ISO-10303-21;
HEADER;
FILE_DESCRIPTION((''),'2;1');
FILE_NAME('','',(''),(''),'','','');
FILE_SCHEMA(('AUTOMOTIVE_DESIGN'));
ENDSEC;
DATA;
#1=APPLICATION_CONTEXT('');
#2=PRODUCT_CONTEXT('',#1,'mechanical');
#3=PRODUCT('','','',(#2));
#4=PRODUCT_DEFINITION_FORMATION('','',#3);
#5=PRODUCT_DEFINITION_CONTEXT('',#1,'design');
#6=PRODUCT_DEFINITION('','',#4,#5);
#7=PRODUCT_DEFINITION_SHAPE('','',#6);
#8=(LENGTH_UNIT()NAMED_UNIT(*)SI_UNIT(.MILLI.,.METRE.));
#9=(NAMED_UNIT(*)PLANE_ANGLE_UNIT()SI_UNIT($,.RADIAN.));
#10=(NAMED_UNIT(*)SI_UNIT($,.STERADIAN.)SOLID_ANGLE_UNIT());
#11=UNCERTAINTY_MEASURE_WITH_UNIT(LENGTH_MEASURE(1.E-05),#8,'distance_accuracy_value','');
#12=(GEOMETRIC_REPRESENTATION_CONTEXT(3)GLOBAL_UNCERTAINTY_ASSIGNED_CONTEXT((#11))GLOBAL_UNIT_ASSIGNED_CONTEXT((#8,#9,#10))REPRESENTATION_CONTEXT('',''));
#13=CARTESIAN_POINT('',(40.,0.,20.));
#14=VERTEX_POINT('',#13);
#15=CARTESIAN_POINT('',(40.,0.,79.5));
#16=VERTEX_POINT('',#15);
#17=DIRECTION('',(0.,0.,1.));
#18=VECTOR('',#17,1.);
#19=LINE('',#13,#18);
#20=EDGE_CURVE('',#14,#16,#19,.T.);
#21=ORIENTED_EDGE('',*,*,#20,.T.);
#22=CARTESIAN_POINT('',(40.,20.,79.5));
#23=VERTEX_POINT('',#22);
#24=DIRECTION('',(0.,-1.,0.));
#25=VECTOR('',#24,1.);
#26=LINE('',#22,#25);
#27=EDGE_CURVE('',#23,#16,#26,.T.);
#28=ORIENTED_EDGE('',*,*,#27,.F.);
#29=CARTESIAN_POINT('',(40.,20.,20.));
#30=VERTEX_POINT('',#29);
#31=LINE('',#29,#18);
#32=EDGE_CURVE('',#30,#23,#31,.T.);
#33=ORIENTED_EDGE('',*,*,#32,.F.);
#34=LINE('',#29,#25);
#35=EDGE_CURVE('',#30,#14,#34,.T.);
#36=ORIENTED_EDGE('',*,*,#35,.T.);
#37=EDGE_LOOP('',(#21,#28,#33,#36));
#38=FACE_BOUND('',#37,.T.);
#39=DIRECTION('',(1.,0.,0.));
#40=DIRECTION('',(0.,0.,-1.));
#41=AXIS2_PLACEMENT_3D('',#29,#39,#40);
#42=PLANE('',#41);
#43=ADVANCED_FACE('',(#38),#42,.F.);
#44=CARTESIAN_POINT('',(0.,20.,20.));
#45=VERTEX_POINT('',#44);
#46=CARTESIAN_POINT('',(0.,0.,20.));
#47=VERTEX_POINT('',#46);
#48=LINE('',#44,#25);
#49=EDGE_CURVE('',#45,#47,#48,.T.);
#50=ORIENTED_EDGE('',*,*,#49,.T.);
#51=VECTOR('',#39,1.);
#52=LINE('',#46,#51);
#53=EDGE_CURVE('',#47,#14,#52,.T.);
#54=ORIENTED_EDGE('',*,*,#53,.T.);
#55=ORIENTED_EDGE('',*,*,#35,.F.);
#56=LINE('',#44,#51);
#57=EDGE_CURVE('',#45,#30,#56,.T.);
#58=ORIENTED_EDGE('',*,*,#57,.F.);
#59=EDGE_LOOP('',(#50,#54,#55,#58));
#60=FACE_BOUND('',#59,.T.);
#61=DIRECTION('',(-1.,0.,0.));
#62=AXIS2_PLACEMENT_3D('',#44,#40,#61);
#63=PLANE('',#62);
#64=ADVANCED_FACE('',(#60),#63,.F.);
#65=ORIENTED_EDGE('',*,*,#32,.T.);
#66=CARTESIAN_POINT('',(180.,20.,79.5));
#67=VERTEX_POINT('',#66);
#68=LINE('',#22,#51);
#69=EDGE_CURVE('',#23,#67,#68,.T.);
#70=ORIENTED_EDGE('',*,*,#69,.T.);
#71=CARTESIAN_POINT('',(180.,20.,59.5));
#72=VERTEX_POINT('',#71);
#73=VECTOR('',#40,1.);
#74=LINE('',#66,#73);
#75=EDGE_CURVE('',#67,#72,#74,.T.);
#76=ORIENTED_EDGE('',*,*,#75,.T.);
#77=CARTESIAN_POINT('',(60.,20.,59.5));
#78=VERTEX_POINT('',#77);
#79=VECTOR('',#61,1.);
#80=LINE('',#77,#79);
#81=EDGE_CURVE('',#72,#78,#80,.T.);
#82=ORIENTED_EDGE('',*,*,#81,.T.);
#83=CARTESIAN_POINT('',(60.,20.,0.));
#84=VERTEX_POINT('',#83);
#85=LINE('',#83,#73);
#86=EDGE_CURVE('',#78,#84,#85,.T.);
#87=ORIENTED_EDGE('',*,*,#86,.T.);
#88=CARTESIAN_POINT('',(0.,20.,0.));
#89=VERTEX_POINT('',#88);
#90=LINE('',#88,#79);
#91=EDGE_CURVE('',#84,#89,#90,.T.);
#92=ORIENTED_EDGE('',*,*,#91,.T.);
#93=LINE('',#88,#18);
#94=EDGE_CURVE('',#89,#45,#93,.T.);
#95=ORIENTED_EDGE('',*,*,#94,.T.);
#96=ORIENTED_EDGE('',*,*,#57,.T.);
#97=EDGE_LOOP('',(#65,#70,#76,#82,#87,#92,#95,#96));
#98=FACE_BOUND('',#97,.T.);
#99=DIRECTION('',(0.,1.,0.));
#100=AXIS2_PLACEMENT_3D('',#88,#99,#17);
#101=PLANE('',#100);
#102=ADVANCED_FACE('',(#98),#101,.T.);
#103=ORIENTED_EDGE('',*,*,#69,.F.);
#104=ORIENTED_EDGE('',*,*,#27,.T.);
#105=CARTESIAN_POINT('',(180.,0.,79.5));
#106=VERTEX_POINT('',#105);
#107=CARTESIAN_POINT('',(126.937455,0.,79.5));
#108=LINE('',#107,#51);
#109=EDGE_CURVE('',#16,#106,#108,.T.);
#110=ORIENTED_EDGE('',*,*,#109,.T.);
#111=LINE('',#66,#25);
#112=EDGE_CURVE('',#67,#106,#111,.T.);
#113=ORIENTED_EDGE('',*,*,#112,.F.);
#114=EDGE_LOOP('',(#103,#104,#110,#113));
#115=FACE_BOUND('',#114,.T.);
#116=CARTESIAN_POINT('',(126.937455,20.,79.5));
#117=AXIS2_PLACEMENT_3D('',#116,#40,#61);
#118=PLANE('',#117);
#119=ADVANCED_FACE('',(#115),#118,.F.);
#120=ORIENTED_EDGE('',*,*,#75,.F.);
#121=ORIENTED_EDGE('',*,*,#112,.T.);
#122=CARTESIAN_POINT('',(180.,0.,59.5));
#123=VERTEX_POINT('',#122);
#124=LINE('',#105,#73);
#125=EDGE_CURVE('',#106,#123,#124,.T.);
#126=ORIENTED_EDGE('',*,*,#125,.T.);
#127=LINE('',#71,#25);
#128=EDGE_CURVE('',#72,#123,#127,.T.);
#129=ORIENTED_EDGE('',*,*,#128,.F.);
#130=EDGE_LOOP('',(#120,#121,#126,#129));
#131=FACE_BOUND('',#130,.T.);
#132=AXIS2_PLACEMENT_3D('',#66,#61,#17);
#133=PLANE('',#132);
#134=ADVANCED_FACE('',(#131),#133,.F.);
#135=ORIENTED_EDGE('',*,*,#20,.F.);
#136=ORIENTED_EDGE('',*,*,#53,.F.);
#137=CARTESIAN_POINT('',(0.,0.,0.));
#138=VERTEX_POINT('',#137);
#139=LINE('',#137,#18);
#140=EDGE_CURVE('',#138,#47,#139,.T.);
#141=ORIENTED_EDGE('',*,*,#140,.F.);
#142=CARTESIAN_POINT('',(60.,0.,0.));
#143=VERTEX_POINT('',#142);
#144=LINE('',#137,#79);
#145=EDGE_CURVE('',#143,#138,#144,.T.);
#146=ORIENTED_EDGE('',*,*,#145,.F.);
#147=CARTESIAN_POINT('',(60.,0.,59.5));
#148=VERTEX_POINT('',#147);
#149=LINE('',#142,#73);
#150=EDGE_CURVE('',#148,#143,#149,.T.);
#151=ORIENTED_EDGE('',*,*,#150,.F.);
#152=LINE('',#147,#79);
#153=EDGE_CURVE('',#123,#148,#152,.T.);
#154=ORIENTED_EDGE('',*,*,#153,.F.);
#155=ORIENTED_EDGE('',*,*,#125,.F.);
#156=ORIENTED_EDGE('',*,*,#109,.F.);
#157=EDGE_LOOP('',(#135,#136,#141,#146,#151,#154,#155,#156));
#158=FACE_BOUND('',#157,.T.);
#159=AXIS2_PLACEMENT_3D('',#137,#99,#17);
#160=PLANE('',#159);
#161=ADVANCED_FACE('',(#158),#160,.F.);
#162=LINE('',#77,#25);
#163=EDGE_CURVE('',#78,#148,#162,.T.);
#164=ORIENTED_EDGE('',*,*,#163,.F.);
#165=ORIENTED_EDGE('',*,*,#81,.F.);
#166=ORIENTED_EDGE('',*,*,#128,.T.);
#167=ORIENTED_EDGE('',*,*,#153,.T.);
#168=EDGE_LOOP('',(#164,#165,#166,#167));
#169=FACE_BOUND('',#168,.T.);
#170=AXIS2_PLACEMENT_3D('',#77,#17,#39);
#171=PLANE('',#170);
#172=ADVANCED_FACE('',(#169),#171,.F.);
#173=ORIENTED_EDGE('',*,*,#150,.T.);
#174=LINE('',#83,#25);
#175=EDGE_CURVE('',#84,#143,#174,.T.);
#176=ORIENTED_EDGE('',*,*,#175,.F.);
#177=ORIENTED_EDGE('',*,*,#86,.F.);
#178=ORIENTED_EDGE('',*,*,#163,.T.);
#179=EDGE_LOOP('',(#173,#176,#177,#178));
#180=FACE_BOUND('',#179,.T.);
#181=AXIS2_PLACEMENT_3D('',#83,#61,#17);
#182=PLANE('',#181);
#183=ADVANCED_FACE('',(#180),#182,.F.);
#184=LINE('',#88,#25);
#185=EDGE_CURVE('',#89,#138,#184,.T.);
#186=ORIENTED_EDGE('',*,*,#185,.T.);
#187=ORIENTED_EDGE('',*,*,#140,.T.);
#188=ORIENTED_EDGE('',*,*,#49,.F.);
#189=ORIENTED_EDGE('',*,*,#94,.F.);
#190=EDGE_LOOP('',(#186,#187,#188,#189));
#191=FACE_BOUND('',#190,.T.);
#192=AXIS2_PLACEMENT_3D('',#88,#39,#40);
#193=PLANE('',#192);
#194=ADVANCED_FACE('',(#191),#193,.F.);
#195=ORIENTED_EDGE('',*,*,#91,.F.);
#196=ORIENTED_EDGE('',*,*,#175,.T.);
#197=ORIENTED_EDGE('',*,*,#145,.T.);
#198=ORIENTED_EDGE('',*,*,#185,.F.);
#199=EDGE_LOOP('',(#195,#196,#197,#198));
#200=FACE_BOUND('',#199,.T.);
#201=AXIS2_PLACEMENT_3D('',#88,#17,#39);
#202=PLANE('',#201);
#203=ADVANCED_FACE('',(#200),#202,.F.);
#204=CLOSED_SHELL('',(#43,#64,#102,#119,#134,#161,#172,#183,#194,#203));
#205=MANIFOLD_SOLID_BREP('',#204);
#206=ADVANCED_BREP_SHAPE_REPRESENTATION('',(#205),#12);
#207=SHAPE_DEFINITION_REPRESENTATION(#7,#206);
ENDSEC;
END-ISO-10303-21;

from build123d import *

# Parameters (mm, degrees)
BOSS_EXTRUDE1_DEPTH = 20


with BuildPart() as part:
    # Sketch1 → Boss-Extrude1 (new body)
    with BuildSketch(Plane(origin=(0, 0, 0), x_dir=(1, 0, 0), z_dir=(0, 1, 0))):
        Polygon((0, 0), (60, 0), (60, -59.5), (180, -59.5), (180, -79.5), (126.937455238, -79.5), (40, -79.5), (40, -20), (0, -20), align=None)
    extrude(amount=BOSS_EXTRUDE1_DEPTH)


solid = part.part
